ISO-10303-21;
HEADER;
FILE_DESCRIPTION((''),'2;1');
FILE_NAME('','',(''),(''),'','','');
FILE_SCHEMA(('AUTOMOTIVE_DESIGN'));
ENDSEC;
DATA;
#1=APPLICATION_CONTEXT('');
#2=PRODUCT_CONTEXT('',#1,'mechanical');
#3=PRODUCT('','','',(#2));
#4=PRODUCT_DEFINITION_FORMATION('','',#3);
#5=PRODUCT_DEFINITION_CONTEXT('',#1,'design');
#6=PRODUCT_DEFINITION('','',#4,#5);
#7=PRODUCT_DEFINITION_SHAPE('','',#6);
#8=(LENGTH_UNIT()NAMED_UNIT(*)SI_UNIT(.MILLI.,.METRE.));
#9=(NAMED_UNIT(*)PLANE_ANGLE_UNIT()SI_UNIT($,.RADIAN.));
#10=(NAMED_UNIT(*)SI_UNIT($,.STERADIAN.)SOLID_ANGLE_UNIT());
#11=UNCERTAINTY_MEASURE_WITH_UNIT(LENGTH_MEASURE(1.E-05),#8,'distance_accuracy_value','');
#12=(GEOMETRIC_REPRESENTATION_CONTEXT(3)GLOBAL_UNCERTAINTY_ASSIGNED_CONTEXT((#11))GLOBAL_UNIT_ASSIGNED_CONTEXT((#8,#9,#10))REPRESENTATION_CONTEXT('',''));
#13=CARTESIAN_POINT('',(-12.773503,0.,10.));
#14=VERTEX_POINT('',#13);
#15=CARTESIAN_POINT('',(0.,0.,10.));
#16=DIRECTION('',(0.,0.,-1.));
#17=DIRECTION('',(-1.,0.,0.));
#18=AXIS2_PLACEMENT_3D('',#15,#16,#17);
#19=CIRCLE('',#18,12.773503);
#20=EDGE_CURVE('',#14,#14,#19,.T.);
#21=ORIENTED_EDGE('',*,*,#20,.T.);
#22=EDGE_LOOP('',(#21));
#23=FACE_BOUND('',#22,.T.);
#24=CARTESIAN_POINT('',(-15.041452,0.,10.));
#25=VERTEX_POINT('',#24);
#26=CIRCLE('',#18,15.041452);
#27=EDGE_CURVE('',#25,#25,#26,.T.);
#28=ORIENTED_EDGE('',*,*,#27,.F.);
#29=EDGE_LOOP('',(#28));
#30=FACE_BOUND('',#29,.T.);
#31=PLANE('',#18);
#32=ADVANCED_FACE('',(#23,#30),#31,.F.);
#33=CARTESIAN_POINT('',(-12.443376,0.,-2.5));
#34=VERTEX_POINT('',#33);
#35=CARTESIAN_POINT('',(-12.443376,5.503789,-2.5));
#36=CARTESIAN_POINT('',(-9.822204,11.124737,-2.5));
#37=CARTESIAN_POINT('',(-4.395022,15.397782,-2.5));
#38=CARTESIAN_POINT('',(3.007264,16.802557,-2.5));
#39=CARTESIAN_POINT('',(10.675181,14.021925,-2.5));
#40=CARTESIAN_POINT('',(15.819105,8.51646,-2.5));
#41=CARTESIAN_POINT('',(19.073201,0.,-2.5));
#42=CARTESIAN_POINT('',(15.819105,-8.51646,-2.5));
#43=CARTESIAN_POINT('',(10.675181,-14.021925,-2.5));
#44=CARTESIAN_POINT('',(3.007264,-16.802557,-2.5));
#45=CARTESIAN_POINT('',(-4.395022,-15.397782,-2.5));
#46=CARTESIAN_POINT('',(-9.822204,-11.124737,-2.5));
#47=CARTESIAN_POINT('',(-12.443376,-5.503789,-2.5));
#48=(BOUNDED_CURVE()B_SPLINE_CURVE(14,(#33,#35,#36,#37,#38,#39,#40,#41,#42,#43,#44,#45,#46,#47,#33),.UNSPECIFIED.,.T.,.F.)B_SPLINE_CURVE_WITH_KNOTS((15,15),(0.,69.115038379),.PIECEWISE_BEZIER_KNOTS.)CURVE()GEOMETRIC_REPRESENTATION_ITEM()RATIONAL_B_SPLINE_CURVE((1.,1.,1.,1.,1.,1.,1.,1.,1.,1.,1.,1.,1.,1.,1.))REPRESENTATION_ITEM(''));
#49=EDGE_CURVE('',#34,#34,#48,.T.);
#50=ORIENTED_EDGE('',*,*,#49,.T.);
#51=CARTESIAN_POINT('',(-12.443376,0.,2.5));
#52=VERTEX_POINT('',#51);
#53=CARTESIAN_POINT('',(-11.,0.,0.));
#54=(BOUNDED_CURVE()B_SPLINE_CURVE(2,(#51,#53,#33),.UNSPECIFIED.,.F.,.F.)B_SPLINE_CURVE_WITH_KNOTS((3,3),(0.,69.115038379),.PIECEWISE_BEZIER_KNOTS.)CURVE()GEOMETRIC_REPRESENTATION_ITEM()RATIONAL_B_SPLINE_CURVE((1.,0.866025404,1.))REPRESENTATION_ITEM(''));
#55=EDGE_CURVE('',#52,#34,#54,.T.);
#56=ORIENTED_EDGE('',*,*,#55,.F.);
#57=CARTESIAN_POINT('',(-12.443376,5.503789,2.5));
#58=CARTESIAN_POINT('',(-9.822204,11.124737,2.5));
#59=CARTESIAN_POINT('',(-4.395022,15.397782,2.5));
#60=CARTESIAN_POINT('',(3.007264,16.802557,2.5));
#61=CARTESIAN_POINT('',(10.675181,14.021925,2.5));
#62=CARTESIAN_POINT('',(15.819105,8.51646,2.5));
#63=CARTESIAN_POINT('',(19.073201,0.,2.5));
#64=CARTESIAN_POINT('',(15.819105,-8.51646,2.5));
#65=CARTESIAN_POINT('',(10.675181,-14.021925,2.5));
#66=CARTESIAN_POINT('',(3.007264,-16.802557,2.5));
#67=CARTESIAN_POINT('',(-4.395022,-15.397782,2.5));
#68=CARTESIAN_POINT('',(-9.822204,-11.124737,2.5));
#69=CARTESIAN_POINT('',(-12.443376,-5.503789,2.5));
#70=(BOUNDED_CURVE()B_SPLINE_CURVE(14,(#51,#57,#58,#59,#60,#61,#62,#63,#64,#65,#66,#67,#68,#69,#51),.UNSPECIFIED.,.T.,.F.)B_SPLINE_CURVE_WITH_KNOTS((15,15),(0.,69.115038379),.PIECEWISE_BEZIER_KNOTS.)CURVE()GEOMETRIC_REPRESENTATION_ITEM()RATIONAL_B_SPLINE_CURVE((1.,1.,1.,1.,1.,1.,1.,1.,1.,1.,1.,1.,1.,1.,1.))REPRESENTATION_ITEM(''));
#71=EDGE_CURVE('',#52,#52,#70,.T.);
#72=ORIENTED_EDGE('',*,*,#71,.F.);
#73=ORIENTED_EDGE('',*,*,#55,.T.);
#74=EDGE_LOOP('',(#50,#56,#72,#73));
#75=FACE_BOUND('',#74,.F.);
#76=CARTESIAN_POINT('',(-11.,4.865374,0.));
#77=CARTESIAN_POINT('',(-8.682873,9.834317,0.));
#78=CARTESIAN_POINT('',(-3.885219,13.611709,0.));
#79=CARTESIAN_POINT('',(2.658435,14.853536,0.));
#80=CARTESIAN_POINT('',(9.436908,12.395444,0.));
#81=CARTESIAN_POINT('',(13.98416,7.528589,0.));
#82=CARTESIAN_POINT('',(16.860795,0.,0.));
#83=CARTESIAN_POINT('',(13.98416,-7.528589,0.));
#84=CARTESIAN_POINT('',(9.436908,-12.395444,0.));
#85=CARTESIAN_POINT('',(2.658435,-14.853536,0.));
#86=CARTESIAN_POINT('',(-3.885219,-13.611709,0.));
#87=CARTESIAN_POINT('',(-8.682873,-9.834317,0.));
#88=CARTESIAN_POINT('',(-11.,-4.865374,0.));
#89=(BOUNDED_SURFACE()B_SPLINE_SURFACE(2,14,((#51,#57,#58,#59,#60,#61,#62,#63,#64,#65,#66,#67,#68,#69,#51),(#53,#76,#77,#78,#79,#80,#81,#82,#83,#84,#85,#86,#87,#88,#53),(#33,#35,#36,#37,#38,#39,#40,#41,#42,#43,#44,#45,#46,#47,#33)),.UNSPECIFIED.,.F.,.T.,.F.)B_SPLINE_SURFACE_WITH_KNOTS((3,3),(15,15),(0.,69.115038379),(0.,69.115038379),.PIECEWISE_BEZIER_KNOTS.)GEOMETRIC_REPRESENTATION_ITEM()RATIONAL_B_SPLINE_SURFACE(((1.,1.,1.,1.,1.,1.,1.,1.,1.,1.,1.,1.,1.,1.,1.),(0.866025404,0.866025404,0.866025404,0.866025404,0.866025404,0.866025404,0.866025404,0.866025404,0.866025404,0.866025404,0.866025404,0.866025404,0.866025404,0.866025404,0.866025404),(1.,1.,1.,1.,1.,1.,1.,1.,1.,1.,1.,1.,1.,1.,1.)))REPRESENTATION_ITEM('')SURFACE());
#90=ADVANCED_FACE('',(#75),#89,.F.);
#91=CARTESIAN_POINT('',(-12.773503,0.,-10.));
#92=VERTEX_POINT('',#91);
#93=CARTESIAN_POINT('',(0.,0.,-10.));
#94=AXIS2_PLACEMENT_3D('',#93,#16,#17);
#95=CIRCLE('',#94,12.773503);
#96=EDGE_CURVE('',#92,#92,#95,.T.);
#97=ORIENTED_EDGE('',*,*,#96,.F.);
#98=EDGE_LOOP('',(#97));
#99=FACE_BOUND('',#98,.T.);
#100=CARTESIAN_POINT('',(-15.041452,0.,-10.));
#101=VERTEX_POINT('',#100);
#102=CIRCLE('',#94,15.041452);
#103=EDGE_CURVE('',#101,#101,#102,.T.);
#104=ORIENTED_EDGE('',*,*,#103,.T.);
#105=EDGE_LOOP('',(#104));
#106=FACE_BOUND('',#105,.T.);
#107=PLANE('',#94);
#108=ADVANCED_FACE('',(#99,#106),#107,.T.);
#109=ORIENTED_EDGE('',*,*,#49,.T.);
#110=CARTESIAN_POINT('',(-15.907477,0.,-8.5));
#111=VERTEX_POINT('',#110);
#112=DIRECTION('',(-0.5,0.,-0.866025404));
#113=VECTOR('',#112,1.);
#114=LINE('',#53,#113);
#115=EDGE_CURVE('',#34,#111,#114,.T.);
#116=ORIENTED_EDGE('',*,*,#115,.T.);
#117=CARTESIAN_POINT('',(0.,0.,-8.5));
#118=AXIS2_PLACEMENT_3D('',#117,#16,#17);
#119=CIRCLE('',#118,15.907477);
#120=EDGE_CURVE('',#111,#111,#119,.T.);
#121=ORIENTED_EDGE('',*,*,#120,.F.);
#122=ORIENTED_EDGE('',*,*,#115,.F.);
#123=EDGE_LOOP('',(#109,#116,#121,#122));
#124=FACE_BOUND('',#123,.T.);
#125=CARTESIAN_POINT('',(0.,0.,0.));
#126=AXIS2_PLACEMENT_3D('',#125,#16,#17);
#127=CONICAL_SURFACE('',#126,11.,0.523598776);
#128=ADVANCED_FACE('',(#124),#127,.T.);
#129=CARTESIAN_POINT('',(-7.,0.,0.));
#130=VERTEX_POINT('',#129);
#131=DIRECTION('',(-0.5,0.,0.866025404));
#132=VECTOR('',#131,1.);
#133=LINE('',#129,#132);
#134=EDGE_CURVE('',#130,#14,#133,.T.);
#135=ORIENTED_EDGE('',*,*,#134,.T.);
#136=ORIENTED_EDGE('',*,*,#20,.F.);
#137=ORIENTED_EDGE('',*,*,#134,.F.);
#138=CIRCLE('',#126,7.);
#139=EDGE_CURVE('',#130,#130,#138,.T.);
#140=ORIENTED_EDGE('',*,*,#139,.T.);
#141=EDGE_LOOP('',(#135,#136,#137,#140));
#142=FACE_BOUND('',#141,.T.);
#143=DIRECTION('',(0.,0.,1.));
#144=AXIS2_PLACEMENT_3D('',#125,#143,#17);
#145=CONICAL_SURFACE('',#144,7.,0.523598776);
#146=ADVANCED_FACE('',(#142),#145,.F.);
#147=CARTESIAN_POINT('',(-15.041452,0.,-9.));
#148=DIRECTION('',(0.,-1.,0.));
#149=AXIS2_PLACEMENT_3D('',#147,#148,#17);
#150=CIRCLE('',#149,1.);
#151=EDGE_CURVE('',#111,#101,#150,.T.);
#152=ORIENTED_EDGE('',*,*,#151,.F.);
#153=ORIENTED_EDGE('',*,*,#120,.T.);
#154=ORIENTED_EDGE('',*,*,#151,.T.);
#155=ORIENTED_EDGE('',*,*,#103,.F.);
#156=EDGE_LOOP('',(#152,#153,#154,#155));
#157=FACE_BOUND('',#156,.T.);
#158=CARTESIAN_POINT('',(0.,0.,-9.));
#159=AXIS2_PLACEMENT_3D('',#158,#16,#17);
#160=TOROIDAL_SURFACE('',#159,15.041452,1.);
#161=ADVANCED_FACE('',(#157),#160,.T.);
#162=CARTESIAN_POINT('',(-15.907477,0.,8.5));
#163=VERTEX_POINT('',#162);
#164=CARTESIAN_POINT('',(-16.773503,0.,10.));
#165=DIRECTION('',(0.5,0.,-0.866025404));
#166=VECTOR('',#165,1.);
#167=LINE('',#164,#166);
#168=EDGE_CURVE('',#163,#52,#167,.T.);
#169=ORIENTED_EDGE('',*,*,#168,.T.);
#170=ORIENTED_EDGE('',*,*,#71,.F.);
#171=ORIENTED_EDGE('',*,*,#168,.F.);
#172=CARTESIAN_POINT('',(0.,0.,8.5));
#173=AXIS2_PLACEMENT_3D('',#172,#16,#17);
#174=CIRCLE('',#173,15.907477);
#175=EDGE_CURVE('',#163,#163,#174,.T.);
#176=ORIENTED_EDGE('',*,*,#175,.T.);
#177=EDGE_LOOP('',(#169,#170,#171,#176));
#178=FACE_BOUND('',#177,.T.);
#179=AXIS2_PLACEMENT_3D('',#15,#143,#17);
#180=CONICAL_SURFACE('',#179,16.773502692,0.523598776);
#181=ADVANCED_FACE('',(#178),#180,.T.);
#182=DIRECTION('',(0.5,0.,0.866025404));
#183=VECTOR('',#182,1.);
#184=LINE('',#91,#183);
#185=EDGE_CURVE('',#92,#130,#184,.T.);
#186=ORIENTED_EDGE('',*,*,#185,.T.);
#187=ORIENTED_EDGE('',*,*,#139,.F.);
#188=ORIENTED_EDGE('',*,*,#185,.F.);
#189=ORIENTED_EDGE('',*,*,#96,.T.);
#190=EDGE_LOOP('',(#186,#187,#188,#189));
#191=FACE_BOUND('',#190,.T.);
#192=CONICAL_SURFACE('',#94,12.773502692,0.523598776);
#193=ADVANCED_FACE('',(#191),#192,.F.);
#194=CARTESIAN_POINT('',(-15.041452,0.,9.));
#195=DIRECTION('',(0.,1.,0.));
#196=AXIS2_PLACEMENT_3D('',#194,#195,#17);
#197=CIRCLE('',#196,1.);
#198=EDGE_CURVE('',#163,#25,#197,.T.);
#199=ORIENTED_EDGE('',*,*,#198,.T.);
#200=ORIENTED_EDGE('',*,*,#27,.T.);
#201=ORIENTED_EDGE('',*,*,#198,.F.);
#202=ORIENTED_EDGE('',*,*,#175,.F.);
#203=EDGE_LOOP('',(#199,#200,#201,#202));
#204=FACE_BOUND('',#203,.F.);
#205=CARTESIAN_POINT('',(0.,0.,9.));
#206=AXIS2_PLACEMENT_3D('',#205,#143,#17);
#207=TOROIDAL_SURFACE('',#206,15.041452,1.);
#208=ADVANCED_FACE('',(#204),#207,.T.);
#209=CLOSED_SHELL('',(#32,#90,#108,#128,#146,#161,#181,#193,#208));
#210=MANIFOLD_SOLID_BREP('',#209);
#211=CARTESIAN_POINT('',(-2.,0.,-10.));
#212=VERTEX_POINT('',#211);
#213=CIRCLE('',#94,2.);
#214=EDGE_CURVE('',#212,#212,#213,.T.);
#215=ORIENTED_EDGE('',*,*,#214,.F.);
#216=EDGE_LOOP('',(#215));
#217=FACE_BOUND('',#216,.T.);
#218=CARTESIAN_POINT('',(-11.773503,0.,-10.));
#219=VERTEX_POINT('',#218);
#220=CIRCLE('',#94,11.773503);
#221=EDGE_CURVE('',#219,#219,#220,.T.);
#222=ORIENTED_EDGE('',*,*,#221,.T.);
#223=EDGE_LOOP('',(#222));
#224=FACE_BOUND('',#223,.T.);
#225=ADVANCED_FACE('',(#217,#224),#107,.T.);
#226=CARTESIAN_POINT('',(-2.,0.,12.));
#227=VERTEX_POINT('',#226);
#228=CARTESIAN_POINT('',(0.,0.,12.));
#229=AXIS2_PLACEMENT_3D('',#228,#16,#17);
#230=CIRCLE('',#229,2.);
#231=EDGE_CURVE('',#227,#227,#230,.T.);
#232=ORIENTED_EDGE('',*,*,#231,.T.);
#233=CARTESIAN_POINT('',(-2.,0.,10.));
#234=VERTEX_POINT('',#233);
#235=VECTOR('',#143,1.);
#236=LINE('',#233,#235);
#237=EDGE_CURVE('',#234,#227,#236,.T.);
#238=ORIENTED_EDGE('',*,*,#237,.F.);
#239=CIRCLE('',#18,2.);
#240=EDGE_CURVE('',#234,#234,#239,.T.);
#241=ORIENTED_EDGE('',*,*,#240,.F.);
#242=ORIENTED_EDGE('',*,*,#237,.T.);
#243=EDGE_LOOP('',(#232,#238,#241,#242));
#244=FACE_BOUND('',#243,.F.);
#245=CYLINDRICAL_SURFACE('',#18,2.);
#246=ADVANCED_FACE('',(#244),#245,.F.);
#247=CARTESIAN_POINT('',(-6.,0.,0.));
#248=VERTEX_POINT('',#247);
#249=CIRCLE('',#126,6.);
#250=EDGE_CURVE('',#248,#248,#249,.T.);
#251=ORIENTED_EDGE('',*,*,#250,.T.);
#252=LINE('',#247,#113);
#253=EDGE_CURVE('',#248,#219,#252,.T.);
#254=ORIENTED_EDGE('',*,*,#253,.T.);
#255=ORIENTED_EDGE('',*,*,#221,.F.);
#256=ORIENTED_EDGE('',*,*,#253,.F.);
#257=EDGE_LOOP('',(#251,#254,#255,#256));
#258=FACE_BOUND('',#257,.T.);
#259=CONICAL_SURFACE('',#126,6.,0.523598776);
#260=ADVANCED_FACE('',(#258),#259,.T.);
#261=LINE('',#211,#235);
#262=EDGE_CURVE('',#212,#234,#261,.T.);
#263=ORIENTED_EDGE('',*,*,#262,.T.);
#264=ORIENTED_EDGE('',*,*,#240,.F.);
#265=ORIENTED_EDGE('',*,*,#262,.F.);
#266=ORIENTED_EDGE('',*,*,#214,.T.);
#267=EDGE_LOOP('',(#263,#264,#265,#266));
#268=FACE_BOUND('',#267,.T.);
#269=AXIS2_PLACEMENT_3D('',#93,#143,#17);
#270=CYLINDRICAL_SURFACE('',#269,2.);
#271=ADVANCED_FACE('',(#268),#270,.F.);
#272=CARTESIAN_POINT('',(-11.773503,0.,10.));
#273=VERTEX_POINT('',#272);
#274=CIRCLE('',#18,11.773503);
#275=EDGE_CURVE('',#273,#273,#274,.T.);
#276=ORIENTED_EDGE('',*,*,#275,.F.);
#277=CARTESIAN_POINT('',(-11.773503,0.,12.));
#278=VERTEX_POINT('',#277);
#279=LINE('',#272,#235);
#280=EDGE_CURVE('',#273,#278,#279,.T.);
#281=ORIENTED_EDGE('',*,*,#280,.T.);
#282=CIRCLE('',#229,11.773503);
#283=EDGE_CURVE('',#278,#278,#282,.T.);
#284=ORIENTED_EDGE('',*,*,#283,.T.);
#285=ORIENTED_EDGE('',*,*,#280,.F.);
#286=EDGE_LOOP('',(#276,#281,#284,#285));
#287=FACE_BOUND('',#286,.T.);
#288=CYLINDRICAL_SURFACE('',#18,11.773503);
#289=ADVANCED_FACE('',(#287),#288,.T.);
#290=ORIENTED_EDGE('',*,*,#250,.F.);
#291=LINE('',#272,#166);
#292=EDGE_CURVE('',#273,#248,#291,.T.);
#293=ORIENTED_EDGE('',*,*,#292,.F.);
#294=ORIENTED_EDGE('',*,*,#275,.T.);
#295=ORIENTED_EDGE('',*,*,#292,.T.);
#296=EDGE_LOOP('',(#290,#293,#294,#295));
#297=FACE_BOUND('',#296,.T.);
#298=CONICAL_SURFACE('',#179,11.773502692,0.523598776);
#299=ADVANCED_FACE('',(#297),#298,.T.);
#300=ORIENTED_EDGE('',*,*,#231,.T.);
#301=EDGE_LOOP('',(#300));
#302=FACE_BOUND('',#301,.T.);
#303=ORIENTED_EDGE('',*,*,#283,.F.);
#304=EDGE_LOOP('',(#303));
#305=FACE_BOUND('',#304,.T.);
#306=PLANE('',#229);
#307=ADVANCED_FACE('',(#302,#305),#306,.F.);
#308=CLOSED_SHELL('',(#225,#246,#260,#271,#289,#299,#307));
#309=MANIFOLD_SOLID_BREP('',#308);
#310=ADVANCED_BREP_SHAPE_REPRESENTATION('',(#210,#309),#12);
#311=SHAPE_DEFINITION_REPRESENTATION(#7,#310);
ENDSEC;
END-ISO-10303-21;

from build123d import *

# Parameters (mm, degrees)
F2_R     = 5
F3_R     = 1
F4_DEPTH = 2


with BuildPart() as f1:
    # F0 (on Front) → F1 (revolve)
    with BuildSketch(Plane.XZ):
        Polygon((-2, -10), (-2, 10), (-11.7735026919, 10), (-6, 0), (-11.7735026919, -10), align=None)
    revolve(axis=Axis((0, 0, 0), (0, 0, -1)))

    # F4 (add): a face of the model
    f4_faces = [f1.faces().sort_by_distance(p)[0] for p in [
        (2.3330049437, 0, 10),
    ]]
    extrude(f4_faces, amount=F4_DEPTH)


with BuildPart() as f1b:
    # F0 (on Front) → F1, piece 2 (revolve)
    with BuildSketch(Plane.XZ):
        Polygon((-7, 0), (-12.7735026919, 10), (-16.7735026919, 10), (-11, 0), (-16.7735026919, -10), (-12.7735026919, -10), align=None)
    revolve(axis=Axis((0, 0, 0), (0, 0, -1)))

    # F2
    f2_edges = [f1b.edges().sort_by_distance(p)[0] for p in [
        (11, 0, 0),
    ]]
    fillet(f2_edges, radius=F2_R)

    # F3
    f3_edges = [f1b.edges().sort_by_distance(p)[0] for p in [
        (16.773503, 0, 10),
        (16.773503, 0, -10),
    ]]
    fillet(f3_edges, radius=F3_R)


solid = Compound([f1.part, f1b.part])
